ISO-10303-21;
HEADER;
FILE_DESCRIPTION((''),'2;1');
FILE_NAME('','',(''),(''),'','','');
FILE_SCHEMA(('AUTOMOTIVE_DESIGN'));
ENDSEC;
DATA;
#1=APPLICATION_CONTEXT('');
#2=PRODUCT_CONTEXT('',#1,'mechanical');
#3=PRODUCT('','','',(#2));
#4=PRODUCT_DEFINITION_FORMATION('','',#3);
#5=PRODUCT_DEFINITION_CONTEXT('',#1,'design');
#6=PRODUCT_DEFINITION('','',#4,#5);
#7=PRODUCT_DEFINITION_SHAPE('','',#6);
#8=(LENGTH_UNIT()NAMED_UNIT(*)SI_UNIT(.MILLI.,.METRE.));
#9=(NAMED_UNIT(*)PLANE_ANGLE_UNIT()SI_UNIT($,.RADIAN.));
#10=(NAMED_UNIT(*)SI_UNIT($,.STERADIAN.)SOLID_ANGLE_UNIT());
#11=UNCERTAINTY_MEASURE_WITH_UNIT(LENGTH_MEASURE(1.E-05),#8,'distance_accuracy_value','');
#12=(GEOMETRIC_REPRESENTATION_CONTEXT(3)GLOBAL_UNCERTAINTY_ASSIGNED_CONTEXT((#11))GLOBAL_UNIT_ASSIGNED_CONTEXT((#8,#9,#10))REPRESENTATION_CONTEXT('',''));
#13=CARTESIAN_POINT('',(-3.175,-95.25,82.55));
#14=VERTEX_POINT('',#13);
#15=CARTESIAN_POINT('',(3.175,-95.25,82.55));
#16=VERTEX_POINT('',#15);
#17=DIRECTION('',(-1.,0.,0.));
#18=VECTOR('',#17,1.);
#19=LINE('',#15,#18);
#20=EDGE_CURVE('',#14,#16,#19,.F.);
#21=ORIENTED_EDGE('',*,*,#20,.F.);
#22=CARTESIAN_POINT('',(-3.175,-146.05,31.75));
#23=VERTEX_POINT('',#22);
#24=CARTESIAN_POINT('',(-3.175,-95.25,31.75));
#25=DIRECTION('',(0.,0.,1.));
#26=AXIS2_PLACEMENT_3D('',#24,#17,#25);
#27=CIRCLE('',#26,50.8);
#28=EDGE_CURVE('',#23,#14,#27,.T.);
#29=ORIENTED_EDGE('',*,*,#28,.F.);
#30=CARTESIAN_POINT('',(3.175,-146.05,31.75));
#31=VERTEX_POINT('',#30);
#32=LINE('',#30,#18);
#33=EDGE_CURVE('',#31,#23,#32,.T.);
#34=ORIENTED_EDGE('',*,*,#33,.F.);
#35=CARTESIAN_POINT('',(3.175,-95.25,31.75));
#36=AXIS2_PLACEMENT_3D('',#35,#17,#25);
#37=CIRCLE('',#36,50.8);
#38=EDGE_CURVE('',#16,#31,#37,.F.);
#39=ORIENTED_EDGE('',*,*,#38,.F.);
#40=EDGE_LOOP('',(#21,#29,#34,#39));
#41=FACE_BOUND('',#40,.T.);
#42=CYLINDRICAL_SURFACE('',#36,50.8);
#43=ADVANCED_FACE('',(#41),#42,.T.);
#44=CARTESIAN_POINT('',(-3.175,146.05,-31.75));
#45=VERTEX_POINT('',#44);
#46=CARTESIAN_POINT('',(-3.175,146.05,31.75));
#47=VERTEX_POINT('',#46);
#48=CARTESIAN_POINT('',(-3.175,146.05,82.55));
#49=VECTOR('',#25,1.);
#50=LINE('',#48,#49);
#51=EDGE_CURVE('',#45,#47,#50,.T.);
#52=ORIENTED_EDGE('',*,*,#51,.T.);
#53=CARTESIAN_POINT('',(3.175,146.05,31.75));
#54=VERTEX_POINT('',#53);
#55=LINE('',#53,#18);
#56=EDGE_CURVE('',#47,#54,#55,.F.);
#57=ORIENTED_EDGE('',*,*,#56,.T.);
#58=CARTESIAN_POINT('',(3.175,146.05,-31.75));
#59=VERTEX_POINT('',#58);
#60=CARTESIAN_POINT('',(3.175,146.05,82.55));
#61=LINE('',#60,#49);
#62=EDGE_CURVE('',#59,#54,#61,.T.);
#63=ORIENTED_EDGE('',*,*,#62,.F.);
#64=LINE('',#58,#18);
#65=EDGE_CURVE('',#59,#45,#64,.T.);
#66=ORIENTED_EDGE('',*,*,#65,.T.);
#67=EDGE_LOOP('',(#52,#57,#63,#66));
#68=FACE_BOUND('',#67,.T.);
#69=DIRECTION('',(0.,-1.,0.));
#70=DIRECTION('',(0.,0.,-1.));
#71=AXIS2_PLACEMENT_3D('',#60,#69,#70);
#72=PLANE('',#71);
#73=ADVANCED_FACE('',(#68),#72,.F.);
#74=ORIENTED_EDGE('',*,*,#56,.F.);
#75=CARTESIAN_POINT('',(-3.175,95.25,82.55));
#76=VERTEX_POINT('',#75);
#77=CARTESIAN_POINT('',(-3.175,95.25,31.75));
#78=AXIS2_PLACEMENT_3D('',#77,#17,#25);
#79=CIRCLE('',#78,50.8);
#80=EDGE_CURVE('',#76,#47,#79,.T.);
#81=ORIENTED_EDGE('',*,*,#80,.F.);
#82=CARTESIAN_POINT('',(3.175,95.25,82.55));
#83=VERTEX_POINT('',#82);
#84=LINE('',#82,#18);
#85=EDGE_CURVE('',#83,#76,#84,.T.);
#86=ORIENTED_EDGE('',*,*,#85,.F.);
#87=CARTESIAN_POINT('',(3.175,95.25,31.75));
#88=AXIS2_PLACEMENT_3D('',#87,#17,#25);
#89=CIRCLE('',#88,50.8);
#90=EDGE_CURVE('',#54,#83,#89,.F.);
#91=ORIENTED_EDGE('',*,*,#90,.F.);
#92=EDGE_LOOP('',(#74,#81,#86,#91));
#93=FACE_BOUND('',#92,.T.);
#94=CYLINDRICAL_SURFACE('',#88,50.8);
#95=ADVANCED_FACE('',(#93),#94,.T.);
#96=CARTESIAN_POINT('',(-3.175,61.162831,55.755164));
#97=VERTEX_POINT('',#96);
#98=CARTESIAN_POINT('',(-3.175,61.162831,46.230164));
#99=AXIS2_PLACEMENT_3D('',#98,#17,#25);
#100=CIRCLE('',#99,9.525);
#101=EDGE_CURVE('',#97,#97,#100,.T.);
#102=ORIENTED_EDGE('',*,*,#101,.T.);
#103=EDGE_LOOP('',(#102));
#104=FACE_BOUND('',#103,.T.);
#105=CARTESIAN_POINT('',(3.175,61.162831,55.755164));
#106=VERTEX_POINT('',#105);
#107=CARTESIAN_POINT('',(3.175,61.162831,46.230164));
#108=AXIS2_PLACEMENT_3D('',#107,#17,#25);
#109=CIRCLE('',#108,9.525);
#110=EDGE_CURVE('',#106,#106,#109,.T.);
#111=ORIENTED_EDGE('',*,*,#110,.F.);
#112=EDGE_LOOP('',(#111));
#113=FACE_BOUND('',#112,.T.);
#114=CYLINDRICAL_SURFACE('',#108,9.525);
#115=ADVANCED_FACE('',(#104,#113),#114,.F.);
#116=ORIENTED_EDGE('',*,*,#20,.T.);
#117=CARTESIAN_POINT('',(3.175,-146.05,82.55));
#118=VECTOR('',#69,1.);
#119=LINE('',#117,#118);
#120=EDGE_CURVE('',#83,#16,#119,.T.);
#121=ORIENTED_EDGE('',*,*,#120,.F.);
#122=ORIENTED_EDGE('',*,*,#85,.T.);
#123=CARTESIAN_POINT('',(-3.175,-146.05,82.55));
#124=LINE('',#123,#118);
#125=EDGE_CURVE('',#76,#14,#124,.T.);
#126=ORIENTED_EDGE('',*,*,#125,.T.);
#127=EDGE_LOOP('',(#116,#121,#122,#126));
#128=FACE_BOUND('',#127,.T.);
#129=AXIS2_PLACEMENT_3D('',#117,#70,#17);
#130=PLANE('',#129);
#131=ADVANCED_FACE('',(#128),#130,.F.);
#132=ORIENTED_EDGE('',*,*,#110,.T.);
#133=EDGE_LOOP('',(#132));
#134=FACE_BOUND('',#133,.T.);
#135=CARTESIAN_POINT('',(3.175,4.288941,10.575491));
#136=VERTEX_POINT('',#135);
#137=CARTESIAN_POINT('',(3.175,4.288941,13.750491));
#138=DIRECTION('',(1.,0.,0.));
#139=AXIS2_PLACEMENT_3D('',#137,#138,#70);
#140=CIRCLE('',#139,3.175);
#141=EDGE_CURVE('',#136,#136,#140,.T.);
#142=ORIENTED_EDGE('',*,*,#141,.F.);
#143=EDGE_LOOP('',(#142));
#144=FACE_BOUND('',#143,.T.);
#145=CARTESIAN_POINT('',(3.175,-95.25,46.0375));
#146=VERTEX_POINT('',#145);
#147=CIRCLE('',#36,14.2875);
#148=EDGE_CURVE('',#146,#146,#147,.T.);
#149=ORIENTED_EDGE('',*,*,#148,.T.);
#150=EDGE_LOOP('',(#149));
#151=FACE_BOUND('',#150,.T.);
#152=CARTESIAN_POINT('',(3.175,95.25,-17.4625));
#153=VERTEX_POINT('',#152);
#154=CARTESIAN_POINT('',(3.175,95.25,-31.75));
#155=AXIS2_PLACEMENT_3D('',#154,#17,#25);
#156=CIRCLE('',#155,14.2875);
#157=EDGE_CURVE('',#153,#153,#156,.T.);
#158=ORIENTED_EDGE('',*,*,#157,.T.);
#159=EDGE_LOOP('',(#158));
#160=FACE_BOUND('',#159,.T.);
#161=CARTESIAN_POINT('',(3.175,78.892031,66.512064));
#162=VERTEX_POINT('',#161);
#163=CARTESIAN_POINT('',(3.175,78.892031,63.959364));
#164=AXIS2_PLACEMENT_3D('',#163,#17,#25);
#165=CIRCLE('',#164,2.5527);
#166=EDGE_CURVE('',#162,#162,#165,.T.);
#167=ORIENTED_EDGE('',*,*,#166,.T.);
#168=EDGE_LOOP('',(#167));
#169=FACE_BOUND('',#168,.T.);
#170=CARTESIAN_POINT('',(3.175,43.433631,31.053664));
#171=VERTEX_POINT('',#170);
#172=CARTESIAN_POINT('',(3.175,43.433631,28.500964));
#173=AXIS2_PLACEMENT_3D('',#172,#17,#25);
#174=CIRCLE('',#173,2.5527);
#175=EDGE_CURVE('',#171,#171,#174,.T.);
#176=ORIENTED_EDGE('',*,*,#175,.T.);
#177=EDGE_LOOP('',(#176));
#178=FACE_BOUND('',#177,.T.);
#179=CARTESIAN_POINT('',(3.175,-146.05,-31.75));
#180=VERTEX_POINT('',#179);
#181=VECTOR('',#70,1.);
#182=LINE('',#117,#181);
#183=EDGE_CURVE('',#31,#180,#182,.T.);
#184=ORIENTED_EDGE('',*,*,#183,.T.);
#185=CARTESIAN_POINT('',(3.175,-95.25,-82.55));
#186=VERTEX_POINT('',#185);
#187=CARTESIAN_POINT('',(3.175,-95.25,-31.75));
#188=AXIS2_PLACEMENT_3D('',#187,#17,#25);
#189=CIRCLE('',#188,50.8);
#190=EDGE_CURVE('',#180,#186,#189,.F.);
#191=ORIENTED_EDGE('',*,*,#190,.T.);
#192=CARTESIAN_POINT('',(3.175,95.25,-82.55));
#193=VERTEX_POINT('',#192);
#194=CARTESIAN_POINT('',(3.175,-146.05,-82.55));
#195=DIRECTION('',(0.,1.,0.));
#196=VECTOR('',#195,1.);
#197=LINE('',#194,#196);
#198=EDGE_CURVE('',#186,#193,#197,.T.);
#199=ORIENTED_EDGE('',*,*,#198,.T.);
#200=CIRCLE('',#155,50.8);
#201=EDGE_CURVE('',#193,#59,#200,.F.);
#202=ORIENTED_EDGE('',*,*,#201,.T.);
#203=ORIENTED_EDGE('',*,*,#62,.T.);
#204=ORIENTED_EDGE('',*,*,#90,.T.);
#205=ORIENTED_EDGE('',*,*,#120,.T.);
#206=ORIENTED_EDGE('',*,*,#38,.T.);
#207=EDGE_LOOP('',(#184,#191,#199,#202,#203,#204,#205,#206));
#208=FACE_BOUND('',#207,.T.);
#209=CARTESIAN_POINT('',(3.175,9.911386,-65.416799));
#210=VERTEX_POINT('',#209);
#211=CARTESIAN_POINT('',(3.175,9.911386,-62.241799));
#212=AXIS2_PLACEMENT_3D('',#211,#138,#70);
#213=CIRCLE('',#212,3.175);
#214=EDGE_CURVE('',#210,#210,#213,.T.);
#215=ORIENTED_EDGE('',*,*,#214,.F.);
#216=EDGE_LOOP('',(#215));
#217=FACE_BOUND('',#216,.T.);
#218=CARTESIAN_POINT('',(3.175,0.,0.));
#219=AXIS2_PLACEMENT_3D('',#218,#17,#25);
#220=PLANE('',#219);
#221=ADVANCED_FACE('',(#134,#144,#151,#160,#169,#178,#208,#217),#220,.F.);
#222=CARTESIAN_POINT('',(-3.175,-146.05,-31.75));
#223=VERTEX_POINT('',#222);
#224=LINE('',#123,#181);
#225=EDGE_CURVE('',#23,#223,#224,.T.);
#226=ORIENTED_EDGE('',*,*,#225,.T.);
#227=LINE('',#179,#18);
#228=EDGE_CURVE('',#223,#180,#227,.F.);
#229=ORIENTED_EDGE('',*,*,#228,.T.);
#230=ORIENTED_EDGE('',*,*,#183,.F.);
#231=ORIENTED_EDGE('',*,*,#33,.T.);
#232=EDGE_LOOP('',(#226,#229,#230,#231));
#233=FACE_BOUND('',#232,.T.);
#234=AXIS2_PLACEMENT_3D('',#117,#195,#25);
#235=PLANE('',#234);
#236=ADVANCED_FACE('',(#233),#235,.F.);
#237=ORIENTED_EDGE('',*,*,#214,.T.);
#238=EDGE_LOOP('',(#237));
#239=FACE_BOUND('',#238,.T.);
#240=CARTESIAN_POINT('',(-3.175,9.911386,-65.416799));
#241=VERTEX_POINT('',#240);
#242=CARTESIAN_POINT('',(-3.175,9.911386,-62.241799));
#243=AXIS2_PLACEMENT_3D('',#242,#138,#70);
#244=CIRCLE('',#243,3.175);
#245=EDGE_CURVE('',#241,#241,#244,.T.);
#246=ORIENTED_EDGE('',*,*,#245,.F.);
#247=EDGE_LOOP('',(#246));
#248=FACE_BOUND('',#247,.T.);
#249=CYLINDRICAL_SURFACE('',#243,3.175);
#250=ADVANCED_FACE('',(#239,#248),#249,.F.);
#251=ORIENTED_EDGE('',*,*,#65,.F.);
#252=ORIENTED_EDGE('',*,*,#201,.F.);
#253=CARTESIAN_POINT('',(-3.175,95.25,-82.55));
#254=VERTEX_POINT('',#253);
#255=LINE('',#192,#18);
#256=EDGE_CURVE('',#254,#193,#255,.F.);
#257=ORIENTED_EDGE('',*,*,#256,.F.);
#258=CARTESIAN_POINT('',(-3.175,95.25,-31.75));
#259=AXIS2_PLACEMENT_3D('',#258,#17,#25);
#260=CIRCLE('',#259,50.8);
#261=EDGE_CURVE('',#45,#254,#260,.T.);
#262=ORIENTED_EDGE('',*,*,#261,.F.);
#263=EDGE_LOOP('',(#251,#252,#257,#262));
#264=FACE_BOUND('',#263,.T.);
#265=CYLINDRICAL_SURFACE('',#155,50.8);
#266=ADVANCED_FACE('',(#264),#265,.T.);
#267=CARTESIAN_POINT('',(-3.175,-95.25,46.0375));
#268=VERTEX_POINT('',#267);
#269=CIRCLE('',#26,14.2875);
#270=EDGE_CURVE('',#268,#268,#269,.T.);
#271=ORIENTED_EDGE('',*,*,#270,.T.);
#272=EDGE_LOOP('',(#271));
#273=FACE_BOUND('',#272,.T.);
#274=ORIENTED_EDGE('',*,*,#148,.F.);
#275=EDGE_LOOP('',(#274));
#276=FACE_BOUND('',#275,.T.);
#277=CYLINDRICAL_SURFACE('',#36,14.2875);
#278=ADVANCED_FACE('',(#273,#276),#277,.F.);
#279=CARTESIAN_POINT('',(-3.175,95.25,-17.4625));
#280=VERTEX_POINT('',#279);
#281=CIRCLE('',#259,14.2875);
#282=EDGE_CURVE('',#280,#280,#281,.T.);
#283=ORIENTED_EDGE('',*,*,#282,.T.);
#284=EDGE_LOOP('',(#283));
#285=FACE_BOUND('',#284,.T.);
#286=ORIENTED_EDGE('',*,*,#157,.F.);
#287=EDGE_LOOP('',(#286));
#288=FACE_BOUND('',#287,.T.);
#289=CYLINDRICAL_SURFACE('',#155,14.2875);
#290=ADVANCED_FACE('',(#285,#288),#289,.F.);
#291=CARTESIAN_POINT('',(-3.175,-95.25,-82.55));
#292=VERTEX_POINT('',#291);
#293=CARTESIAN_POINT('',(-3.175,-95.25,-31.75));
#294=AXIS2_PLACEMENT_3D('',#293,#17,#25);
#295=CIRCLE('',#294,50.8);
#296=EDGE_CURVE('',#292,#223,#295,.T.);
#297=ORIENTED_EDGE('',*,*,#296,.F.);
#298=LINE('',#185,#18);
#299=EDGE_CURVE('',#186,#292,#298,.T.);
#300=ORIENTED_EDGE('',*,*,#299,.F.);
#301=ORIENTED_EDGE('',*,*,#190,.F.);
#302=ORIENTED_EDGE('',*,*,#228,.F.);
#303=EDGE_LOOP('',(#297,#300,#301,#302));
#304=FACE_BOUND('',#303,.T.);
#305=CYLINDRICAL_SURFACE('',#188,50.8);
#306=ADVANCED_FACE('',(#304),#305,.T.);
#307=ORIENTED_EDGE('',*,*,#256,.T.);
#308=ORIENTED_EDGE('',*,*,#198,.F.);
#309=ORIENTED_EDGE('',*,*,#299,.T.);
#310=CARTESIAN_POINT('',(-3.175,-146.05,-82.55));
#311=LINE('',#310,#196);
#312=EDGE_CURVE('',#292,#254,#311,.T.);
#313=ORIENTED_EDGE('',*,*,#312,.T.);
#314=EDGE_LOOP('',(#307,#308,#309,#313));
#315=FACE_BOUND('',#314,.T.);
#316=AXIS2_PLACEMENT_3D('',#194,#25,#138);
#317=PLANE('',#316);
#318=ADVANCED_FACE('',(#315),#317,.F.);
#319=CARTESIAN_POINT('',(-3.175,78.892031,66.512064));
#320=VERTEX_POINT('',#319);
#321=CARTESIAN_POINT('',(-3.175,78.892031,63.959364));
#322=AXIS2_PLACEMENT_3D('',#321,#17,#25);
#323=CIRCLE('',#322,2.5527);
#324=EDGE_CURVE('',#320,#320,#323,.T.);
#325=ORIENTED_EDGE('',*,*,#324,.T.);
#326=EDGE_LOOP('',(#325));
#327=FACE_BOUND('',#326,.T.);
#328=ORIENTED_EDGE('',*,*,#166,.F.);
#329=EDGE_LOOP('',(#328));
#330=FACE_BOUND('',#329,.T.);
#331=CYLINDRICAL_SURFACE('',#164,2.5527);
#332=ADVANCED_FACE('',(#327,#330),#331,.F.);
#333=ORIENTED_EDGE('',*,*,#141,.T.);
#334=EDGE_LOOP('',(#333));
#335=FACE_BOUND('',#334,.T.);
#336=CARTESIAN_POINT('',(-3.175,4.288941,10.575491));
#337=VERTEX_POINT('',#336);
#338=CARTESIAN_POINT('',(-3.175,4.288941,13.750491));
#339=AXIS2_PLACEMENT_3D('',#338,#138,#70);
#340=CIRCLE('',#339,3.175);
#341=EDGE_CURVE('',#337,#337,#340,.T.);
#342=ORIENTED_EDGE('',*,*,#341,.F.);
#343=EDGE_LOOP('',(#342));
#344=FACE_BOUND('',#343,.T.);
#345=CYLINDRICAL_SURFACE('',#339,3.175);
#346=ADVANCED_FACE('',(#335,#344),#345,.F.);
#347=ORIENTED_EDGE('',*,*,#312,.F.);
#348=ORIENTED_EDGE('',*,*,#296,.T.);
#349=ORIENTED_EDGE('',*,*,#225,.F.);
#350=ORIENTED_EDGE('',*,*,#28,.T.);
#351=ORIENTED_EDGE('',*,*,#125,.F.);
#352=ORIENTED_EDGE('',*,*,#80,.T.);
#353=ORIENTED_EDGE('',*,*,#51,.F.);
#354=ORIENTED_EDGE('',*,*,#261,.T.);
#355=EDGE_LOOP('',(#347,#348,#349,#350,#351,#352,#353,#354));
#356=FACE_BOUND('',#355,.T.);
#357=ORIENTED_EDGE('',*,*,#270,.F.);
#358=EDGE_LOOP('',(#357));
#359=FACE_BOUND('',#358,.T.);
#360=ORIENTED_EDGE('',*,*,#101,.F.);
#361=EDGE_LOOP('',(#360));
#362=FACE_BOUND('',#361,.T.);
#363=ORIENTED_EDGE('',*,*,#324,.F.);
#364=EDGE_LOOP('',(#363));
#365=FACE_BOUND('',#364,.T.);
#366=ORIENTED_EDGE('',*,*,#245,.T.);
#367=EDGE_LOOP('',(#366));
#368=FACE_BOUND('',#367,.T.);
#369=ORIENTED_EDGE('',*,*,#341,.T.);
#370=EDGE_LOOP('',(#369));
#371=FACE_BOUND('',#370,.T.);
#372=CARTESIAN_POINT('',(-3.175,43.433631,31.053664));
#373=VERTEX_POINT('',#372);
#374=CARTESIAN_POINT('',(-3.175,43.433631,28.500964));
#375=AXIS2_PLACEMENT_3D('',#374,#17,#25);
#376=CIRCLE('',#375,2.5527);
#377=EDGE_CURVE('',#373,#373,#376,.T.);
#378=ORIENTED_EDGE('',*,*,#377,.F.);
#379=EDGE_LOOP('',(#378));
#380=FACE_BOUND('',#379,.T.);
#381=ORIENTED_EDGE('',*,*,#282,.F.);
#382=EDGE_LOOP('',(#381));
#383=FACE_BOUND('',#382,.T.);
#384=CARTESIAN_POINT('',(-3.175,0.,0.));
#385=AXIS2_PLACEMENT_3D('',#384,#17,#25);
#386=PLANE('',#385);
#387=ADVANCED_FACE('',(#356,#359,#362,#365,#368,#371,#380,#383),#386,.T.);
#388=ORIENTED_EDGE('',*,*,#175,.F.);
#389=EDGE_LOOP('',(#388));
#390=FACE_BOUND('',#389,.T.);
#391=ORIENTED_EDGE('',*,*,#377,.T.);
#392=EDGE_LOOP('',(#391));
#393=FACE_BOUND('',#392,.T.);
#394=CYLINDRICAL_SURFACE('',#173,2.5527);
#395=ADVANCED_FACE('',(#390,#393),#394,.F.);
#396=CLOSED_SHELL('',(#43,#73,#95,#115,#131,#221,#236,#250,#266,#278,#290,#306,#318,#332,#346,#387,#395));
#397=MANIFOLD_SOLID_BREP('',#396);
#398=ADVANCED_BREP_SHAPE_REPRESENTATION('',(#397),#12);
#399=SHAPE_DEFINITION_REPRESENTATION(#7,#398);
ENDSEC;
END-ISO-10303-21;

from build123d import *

# Parameters (mm, degrees)
SKETCH1_W           = 165.1
SKETCH1_H           = 292.1
BOSS_EXTRUDE1_DEPTH = 3.175
FILLET1_R           = 50.8
SKETCH2_R           = 14.2875
CUT_EXTRUDE1_DEPTH  = 7.35
SKETCH4_R           = 3.175
CUT_EXTRUDE3_DEPTH  = 7.35
SKETCH5_R           = 9.525
SKETCH5_R_2         = 2.5527
CUT_EXTRUDE4_DEPTH  = 7.35


with BuildPart() as part:
    # Sketch1 → Boss-Extrude1 (new body, symmetric)
    with BuildSketch(Plane(origin=(0, 0, 0), x_dir=(0, 0, -1), z_dir=(1, 0, 0))):
        Rectangle(SKETCH1_W, SKETCH1_H)
    extrude(amount=BOSS_EXTRUDE1_DEPTH, both=True)

    # Fillet1
    fillet1_edges = [part.edges().sort_by_distance(p)[0] for p in [
        (0, -146.05, -82.55),
        (0, -146.05, 82.55),
        (0, 146.05, 82.55),
        (0, 146.05, -82.55),
    ]]
    fillet(fillet1_edges, radius=FILLET1_R)

    # Sketch2 → Cut-Extrude1 (cut, through all)
    with BuildSketch(Plane.ZY.offset(3.175)):
        with Locations((31.75, -95.25)):
            Circle(SKETCH2_R)
        with Locations((-31.75, 95.25)):
            Circle(SKETCH2_R)
    extrude(amount=-CUT_EXTRUDE1_DEPTH, mode=Mode.SUBTRACT)

    # Sketch4 → Cut-Extrude3 (cut, through all)
    with BuildSketch(Plane(origin=(3.175, 0, 0), x_dir=(0, 0, -1), z_dir=(1, 0, 0))):
        with Locations((62.241799111, 9.91138566)):
            Circle(SKETCH4_R)
        with Locations((-13.750490704, 4.288940581)):
            Circle(SKETCH4_R)
    extrude(amount=-CUT_EXTRUDE3_DEPTH, mode=Mode.SUBTRACT)

    # Sketch5 → Cut-Extrude4 (cut, through all)
    with BuildSketch(Plane.ZY.offset(3.175)):
        with Locations((46.230164374, 61.162830951)):
            Circle(SKETCH5_R)
        with Locations((63.959364374, 78.892030951)):
            Circle(SKETCH5_R_2)
        with Locations((28.500964374, 43.433630951)):
            Circle(SKETCH5_R_2)
    extrude(amount=-CUT_EXTRUDE4_DEPTH, mode=Mode.SUBTRACT)


solid = part.part
